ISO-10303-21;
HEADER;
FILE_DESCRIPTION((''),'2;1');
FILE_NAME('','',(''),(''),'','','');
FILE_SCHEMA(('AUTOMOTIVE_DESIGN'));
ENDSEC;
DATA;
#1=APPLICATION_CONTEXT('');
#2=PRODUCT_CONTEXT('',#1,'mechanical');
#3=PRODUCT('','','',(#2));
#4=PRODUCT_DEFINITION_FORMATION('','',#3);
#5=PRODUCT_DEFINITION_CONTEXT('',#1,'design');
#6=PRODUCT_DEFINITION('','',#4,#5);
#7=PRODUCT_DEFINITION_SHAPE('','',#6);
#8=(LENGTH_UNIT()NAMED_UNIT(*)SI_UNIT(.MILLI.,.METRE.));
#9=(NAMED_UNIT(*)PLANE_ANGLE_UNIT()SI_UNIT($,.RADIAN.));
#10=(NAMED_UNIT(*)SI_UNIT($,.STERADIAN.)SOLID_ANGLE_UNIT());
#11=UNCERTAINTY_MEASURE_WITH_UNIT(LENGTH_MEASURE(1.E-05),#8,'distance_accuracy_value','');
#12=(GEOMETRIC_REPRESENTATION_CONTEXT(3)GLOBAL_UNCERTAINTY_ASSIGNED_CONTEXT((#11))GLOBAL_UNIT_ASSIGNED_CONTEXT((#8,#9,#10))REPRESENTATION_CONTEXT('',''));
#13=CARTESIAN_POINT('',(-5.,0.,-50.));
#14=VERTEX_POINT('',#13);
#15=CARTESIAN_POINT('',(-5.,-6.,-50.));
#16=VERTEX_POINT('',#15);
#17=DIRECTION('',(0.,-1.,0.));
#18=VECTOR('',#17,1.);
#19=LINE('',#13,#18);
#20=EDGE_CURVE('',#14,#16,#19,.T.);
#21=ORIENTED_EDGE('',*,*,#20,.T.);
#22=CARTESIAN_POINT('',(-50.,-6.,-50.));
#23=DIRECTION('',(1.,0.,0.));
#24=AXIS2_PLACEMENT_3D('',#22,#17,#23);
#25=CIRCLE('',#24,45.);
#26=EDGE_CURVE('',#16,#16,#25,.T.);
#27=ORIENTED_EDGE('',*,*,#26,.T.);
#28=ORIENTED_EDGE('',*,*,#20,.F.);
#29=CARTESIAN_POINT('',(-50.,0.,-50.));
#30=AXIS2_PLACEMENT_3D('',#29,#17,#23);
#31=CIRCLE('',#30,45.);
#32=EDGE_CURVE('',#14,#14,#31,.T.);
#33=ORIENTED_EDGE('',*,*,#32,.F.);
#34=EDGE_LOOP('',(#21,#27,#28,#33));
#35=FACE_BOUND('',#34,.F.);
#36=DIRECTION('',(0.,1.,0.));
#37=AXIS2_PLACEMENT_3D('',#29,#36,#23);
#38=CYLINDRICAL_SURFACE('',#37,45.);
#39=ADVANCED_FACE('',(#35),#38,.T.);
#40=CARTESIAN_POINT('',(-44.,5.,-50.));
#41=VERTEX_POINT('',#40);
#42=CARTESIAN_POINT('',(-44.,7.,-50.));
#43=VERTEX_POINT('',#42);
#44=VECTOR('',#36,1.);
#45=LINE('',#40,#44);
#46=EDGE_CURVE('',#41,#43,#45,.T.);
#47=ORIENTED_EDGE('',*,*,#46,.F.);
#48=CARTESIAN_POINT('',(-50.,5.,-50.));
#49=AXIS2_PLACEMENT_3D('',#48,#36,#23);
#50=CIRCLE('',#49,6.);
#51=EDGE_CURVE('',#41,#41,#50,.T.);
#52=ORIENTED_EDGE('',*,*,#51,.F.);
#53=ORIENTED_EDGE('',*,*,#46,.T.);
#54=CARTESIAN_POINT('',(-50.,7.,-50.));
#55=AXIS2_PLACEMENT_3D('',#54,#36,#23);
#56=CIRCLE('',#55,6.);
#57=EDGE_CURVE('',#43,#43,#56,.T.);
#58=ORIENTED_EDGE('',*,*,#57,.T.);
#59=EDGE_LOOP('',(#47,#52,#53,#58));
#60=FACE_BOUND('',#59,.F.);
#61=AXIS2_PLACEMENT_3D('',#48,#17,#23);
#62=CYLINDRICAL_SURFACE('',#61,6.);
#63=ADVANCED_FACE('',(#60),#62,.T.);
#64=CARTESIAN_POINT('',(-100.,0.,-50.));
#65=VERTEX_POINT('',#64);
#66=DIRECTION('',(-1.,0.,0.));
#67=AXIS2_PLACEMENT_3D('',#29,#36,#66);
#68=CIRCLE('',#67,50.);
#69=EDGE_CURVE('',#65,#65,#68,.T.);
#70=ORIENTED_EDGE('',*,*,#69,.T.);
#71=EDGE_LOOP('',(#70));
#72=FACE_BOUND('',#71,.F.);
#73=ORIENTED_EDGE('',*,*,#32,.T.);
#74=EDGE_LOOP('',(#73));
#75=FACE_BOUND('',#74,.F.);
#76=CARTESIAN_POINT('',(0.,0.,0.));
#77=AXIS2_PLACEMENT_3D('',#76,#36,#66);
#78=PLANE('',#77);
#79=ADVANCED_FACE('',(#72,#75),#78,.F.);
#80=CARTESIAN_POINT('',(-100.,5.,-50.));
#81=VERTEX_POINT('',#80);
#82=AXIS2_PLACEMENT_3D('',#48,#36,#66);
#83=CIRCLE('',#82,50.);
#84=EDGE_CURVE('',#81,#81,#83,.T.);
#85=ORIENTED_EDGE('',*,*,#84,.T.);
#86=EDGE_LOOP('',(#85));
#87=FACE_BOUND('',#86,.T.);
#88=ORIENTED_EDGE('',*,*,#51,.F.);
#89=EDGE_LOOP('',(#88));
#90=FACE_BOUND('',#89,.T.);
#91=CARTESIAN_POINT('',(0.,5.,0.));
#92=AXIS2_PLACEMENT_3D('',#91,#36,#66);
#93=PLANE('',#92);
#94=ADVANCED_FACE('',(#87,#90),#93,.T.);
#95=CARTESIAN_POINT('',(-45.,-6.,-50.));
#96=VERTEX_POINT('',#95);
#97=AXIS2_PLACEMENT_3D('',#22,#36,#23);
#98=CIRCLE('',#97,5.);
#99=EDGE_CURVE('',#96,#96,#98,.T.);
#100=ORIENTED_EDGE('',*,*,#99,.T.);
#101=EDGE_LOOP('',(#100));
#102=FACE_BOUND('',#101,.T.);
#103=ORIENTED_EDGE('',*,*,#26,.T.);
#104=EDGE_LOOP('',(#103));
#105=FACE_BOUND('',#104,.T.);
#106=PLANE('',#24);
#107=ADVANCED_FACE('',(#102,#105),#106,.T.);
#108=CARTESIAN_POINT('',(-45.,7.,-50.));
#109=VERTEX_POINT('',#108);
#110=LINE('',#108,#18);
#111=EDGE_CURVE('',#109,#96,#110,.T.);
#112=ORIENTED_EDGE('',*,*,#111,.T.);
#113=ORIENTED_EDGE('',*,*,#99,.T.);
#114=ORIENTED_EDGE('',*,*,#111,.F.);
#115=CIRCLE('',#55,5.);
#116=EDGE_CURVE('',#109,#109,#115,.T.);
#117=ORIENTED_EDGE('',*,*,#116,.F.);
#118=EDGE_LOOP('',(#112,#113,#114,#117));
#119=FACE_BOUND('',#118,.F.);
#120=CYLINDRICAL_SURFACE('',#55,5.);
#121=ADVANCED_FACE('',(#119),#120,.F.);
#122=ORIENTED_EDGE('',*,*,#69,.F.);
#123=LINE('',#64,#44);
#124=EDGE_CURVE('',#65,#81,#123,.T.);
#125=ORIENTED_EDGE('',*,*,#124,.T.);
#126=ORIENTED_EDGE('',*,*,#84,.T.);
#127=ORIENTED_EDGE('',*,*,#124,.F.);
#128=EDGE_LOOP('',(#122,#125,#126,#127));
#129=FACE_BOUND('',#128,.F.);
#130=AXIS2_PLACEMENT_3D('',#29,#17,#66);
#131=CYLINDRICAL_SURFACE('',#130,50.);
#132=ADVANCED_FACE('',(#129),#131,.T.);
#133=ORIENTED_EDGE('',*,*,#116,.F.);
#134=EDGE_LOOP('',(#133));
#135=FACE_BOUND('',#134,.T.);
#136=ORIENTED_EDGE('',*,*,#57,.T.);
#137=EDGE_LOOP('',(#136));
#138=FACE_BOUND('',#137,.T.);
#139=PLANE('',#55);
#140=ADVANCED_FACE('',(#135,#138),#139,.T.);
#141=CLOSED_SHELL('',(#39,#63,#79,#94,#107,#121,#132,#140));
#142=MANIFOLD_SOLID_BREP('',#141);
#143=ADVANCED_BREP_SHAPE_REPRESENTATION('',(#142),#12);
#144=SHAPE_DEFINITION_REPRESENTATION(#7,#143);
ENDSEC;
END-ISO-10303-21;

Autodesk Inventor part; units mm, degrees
ref_plane "YZ Plane" through (0, 0, 0) normal (1, 0, 0) x (0, 1, 0)
ref_plane "XZ Plane" through (0, 0, 0) normal (0, 1, 0) x (-1, 0, 0)
ref_plane "XY Plane" through (0, 0, 0) normal (0, 0, 1) x (1, 0, 0)
sketch "Boceto1" plane through (0, 0, 0) normal (0, 1, 0) x (-1, 0, 0)
  line L0 (0, 0) -> (100, 0) construction
  line L1 (100, 0) -> (100, -100) construction
  line L2 (100, -100) -> (0, -100) construction
  line L3 (0, -100) -> (0, 0) construction
  line L4 (100, -100) -> (0, 0) construction
  line L5 (100, 0) -> (0, -100) construction
  circle A0 centre (50, -50) radius 50
  dimension "d0" = 100
  dimension "d1" = 100
  dimension "d2" = 100
extrude "Extrusión1" add sketch "Boceto1" along normal blind 5
sketch "Boceto2" plane through (-50, 0, -50) normal (0, -1, 0) x (1, 0, 0)
  circle A0 centre (0, 0) radius 45
  point P0 (50, 50)
  dimension "d5" = 90
extrude "Extrusión2" add sketch "Boceto2" along normal blind 6
thread "Rosca1" size "M80x1.5" class "6g" standard "ANSI Metric M Profile" length 6
sketch "Boceto3" plane through (-50, 5, -50) normal (0, 1, 0) x (1, 0, 0)
  circle A0 centre (0, 0) radius 6
  point P0 (50, -50)
  dimension "d10" = 12
extrude "Extrusión3" add sketch "Boceto3" along normal blind 2
sketch "Boceto4" plane through (-50, 7, -50) normal (0, 1, 0) x (1, 0, 0)
  circle A0 centre (0, 0) radius 5
  point P0 (50, -50)
  dimension "d13" = 10
extrude "Extrusión4" cut sketch "Boceto4" against normal through all
thread "Rosca2" size "M9x1.25" class "6H" standard "ANSI Metric M Profile" full length
